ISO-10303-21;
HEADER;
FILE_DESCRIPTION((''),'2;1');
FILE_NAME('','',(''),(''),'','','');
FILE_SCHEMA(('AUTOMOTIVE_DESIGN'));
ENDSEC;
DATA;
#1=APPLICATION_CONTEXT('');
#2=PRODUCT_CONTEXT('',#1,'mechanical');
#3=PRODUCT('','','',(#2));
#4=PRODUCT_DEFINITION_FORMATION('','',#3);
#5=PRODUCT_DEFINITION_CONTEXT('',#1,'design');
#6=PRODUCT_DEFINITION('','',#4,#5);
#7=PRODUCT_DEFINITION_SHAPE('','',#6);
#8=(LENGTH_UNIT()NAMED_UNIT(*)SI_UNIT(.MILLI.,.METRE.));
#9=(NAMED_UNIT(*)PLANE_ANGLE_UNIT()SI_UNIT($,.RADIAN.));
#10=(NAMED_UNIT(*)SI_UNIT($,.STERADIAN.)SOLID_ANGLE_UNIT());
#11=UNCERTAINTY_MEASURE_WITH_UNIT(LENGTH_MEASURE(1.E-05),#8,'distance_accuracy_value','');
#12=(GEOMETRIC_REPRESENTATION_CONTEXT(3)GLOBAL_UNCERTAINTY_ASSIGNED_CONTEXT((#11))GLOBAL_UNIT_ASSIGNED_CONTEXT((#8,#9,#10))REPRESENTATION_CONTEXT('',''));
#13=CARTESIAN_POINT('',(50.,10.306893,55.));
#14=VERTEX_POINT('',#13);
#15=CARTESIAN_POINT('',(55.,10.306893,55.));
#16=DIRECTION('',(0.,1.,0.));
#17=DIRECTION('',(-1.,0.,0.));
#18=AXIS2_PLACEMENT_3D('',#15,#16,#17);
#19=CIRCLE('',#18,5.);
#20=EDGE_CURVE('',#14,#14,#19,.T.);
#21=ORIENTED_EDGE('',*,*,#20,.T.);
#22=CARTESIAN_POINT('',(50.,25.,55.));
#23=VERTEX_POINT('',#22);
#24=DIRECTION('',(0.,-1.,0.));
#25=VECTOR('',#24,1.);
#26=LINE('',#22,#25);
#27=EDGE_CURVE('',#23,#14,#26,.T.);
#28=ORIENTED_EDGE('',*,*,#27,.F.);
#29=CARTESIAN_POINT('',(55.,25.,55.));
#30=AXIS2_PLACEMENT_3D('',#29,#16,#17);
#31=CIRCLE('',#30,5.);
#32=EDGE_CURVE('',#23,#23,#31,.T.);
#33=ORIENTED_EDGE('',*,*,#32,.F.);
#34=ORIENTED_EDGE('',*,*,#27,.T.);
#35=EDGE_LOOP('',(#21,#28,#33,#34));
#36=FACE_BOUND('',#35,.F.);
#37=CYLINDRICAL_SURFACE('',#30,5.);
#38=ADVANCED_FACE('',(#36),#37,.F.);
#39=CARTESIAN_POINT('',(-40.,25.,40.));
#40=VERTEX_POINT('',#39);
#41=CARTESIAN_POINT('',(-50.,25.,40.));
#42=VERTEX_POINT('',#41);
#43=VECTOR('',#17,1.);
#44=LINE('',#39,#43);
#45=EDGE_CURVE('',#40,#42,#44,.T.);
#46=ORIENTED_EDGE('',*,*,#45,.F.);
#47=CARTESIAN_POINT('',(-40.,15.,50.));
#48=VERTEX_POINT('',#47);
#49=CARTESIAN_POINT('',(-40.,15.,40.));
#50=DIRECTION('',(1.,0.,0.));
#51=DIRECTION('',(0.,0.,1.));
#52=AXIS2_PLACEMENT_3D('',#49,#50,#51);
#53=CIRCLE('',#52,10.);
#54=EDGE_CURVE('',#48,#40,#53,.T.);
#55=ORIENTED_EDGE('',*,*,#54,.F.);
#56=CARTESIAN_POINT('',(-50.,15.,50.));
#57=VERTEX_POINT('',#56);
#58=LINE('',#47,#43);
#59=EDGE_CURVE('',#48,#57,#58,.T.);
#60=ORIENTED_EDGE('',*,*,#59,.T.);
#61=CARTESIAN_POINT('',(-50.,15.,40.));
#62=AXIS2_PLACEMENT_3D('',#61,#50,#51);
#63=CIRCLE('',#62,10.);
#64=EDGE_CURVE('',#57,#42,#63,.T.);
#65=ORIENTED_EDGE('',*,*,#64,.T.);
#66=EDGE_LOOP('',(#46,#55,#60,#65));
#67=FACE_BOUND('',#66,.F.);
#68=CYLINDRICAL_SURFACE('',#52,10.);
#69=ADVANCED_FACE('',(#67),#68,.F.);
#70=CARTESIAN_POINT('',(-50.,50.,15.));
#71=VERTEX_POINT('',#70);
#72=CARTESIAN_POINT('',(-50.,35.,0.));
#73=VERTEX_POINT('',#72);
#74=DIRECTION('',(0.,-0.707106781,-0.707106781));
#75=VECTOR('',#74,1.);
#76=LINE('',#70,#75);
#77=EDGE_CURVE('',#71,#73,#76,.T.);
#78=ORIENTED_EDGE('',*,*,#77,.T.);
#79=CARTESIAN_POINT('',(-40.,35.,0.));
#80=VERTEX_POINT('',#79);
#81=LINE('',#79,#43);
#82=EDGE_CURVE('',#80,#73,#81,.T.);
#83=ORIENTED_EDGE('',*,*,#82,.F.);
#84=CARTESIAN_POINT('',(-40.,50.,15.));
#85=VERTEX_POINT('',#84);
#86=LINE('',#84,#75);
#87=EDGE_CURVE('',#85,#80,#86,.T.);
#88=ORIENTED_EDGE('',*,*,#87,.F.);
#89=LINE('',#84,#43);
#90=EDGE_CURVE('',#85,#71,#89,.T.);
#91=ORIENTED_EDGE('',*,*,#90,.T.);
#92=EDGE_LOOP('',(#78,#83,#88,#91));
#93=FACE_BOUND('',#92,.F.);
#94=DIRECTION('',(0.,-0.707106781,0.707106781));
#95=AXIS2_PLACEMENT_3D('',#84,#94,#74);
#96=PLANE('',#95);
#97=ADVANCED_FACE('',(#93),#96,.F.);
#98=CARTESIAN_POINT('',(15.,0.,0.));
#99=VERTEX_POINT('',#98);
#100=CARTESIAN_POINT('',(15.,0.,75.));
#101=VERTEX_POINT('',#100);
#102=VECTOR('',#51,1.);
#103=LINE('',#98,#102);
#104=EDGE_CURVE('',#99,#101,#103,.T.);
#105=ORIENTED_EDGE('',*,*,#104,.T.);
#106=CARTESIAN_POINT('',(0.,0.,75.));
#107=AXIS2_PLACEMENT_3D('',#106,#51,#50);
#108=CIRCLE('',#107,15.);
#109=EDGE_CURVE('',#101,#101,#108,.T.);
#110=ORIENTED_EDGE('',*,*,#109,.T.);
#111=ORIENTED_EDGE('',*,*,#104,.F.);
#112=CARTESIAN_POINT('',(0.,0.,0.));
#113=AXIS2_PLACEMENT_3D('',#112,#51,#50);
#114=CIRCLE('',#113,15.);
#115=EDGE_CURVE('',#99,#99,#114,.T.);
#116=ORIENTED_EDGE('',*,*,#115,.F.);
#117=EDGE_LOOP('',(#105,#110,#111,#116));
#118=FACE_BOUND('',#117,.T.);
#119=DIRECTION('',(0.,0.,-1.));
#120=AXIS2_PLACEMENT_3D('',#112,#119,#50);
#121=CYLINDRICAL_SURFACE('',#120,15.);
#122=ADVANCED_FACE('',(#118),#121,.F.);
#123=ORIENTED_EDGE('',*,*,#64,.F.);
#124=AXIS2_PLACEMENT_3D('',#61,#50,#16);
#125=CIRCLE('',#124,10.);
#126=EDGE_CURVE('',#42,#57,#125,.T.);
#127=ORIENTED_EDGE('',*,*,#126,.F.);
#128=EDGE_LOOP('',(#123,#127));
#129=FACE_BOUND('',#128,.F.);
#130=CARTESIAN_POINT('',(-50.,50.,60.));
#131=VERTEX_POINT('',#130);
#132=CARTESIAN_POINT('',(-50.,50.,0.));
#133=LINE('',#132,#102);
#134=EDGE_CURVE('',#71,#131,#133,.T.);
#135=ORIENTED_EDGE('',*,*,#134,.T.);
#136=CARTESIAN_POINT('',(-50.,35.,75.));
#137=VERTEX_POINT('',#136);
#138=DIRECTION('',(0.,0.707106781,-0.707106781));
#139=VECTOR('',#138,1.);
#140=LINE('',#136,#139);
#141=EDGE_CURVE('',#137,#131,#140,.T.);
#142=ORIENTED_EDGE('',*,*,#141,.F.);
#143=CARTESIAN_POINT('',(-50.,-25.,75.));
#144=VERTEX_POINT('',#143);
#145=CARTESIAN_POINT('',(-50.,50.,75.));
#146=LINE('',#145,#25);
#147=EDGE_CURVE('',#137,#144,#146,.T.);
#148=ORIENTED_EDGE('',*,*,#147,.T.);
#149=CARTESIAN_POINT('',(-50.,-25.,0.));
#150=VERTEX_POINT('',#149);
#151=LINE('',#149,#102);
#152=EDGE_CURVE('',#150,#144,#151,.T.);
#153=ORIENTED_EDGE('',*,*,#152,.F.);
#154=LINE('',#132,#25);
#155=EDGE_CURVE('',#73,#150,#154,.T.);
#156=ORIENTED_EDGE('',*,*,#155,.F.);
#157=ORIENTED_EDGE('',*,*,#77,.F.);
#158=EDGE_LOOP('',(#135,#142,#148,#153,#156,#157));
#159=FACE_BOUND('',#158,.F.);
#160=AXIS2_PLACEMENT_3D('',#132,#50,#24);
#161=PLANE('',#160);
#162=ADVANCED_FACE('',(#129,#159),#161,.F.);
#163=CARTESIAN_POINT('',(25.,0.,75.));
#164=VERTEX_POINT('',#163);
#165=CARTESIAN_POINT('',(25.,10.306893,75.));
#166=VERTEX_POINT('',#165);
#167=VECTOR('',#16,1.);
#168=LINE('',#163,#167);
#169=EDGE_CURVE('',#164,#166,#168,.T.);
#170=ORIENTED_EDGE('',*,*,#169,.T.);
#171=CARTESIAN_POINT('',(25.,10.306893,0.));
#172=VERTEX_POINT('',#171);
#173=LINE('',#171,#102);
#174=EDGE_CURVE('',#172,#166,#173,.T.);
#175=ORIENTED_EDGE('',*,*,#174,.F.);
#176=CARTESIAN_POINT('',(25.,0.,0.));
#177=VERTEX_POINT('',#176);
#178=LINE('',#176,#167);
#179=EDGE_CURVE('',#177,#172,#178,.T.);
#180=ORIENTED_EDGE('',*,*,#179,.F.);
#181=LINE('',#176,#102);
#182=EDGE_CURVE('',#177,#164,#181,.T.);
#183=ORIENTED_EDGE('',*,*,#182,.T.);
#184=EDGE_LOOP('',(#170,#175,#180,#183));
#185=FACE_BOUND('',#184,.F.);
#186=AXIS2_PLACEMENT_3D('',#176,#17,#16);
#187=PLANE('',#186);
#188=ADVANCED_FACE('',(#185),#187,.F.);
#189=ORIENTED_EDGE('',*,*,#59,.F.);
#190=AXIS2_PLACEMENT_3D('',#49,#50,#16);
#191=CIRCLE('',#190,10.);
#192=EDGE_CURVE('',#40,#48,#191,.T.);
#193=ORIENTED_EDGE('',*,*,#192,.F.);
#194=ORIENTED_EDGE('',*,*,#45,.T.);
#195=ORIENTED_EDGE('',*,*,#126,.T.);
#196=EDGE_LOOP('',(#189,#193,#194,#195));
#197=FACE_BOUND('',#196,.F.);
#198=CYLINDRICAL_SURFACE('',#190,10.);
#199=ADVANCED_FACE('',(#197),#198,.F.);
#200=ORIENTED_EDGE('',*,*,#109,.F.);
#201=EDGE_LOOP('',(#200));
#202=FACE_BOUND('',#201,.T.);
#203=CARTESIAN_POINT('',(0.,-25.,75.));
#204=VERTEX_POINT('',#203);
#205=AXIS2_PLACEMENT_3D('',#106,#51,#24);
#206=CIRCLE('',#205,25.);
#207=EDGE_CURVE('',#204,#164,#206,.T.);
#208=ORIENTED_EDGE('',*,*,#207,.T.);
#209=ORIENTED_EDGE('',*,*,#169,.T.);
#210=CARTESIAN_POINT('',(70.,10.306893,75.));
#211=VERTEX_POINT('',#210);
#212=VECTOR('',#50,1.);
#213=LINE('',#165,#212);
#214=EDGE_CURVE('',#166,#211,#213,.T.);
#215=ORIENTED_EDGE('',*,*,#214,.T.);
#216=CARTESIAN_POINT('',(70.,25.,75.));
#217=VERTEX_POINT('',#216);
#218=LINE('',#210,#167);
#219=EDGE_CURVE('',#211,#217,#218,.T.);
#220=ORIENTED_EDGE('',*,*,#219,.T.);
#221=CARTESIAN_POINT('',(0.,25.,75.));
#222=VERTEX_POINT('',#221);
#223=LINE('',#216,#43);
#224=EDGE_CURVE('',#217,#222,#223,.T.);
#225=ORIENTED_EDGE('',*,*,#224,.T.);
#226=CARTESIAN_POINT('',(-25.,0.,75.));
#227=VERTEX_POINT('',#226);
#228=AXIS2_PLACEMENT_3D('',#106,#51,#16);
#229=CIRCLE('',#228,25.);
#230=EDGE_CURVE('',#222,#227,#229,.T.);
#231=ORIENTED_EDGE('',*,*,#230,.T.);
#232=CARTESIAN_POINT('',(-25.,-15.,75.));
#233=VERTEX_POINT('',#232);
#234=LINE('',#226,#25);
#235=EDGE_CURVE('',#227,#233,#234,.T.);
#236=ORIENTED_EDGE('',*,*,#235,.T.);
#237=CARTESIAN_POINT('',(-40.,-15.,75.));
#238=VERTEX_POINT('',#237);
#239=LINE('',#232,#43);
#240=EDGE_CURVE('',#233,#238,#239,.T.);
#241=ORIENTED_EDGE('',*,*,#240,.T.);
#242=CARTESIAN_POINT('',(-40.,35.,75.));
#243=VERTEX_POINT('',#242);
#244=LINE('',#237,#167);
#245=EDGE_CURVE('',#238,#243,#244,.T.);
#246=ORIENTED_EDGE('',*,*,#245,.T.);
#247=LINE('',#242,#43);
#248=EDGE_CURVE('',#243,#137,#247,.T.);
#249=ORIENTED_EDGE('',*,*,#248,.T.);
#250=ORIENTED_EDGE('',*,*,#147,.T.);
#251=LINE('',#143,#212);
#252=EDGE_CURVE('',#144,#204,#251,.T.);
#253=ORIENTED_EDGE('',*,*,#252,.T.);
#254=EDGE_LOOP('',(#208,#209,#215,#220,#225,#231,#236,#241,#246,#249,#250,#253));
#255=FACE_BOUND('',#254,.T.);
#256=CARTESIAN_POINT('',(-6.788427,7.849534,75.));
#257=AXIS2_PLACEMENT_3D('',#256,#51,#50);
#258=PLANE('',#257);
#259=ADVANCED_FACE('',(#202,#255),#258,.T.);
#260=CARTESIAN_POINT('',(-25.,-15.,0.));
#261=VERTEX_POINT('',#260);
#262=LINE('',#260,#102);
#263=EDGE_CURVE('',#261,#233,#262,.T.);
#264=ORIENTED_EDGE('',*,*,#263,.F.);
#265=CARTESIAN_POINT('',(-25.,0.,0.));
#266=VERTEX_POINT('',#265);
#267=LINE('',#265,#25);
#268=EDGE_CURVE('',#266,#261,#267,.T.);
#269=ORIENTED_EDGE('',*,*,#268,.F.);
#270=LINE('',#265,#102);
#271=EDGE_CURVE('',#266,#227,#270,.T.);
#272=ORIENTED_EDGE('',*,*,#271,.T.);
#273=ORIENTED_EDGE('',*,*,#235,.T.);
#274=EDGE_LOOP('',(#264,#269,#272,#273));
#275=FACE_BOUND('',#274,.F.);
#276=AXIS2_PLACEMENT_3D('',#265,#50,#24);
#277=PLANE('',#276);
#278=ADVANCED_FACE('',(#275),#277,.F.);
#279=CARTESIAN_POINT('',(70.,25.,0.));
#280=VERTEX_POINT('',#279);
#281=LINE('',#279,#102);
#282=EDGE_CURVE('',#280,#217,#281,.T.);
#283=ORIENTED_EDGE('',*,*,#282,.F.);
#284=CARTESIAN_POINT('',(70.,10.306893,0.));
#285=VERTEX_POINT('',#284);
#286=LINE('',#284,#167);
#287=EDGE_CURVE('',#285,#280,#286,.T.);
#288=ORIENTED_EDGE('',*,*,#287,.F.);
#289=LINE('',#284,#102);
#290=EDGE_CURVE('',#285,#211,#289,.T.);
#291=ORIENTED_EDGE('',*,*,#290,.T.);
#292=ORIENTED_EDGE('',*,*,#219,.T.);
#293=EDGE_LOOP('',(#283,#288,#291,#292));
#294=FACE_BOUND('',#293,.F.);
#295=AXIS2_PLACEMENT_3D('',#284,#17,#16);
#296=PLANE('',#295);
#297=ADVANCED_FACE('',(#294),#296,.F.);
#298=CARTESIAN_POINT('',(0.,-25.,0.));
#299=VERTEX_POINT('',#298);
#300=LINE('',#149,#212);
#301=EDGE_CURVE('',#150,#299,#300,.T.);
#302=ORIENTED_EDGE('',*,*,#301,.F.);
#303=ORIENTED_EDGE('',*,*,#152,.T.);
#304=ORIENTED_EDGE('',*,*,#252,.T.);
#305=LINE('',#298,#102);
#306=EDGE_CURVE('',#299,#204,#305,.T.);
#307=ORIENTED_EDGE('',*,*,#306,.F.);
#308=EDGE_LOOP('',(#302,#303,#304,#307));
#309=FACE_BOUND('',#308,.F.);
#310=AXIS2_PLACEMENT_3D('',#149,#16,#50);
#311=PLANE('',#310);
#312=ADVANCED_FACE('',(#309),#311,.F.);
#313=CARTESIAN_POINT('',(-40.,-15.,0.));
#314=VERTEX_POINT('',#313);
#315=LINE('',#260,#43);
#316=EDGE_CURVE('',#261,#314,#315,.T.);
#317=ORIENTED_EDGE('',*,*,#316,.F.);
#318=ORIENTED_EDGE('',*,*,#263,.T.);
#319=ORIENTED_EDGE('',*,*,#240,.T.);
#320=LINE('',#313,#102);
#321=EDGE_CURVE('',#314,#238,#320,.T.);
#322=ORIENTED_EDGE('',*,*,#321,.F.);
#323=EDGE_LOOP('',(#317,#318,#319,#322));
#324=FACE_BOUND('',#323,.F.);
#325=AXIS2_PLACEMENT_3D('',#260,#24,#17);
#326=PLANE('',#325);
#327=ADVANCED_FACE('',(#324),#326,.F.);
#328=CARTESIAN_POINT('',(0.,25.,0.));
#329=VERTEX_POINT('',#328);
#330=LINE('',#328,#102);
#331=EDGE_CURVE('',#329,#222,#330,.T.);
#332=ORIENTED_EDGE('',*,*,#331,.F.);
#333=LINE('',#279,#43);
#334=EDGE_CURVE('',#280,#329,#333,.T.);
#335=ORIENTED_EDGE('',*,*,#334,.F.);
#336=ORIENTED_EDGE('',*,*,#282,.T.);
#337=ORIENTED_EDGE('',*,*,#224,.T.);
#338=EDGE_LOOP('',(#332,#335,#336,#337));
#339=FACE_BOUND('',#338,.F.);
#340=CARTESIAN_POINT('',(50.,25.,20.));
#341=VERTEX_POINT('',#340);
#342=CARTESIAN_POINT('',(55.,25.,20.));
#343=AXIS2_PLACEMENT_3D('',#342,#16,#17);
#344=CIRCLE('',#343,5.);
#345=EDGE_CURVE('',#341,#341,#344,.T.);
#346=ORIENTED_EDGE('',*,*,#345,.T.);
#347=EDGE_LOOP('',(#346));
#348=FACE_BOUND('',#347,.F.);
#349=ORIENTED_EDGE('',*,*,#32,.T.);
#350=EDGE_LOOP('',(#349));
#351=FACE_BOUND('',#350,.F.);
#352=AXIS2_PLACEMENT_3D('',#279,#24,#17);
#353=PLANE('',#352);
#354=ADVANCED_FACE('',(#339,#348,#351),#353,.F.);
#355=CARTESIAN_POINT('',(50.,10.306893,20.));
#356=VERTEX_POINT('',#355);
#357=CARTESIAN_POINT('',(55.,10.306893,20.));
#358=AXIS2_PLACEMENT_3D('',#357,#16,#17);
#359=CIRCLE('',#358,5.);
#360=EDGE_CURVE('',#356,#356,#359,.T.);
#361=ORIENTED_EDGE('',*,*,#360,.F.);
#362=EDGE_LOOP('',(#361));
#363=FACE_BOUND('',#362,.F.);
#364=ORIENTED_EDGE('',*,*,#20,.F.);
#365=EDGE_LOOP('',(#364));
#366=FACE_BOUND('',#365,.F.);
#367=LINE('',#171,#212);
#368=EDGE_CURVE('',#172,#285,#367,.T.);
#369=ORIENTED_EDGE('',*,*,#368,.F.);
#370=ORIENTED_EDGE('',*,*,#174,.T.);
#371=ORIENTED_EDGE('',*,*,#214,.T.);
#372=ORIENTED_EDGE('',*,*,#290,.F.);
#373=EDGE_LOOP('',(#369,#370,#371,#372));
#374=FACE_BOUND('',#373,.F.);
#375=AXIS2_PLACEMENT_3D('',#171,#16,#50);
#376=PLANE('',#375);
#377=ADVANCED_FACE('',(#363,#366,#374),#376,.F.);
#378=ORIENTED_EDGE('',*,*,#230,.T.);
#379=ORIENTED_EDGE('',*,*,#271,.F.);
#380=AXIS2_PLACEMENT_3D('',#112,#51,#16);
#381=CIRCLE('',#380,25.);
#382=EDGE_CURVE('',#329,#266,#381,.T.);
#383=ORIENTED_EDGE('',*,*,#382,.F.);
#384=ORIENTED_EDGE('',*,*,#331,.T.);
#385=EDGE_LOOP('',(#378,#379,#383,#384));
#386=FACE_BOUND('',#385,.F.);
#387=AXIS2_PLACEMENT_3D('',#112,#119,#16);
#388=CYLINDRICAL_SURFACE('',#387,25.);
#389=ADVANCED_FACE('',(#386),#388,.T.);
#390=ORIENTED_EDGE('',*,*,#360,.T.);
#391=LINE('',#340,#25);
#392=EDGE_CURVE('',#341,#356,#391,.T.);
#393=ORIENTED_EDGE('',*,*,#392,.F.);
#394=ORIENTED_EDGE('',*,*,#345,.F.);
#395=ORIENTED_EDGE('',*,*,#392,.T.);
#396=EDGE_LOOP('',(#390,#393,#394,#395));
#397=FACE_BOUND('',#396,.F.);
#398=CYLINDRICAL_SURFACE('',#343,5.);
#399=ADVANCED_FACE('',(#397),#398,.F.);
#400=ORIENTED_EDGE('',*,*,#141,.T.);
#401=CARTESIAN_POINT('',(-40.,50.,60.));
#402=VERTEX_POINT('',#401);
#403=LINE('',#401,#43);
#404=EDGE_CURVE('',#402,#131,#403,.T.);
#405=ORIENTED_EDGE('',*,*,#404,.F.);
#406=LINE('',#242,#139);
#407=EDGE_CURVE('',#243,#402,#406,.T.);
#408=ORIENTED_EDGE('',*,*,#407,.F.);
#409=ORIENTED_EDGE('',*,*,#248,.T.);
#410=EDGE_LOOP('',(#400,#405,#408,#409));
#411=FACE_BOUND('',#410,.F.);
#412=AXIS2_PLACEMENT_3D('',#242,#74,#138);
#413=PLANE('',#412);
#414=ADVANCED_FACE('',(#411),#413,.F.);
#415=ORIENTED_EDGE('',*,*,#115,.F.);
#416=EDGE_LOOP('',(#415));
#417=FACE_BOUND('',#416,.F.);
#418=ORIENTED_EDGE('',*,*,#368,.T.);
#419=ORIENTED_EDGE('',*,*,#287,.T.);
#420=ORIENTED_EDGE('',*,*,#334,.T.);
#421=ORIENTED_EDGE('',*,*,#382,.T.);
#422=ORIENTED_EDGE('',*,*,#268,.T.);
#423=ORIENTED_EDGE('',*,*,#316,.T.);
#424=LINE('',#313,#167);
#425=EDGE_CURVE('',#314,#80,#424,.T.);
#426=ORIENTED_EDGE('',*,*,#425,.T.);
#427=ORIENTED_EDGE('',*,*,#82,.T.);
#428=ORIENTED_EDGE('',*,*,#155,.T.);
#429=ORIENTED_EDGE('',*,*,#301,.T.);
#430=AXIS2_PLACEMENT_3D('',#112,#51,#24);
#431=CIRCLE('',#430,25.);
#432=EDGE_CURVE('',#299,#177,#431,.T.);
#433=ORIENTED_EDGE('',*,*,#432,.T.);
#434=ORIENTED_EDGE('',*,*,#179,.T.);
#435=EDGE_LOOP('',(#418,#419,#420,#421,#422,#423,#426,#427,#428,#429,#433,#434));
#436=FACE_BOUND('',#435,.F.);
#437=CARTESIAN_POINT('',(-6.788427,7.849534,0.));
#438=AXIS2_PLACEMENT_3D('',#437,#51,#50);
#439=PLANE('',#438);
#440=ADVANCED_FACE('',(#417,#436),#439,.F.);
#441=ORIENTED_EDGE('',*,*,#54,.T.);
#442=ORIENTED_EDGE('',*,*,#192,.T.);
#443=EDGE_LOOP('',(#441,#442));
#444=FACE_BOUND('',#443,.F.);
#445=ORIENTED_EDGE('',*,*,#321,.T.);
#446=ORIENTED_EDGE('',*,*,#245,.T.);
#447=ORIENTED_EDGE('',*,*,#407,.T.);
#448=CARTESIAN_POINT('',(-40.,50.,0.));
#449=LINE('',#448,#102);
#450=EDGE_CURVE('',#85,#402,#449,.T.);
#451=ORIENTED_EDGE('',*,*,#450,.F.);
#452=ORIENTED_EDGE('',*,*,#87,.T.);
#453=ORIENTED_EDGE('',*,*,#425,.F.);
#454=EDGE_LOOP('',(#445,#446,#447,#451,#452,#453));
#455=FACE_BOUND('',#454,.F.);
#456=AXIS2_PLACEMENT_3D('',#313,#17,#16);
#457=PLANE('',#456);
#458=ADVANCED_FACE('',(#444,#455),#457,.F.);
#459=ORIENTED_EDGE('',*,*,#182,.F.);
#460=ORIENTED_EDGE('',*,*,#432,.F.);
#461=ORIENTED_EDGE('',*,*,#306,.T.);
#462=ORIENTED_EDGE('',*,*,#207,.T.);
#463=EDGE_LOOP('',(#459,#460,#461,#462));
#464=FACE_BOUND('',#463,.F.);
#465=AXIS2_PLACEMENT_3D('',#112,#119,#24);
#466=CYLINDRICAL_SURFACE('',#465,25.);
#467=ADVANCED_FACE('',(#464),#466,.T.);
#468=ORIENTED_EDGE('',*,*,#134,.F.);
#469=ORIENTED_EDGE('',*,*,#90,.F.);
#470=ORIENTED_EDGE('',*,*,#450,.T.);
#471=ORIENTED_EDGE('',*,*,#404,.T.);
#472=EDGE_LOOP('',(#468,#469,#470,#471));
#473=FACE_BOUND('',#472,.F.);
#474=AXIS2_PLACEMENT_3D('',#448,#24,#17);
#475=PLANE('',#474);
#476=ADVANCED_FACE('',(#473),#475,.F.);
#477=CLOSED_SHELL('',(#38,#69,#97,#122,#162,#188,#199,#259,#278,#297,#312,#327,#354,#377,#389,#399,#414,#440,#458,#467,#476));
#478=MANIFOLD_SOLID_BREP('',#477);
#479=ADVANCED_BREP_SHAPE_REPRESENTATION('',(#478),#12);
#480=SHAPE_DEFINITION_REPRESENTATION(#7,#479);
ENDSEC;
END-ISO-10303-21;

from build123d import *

# Parameters (mm, degrees)
F0_R     = 15
F1_DEPTH = 75
F2_R     = 5
F3_DEPTH = 15
F5_DEPTH = 10
F7_DEPTH = 10


with BuildPart() as f1:
    # F0 (on Top) → F1 (new body)
    with BuildSketch(Plane.XY):
        with BuildLine():
            Line((-50, -25), (0, -25))
            ThreePointArc((0, -25), (17.6776695297, -17.6776695297), (25, 0))
            Line((25, 0), (25, 10.3068929166))
            Line((25, 10.3068929166), (70, 10.3068929166))
            Line((70, 10.3068929166), (70, 25))
            Line((70, 25), (0, 25))
            ThreePointArc((0, 25), (-17.6776695297, 17.6776695297), (-25, 0))
            Line((-25, 0), (-25, -15))
            Line((-25, -15), (-40, -15))
            Line((-40, -15), (-40, 50))
            Line((-40, 50), (-50, 50))
            Line((-50, 50), (-50, -25))
        make_face()
        Circle(F0_R, mode=Mode.SUBTRACT)
    extrude(amount=F1_DEPTH)

    # F2 (on face) → F3 (cut)
    with BuildSketch(Plane(origin=(0, 25, 0), x_dir=(-1, 0, 0), z_dir=(0, 1, 0))):
        with Locations((-55, 20)):
            Circle(F2_R)
        with Locations((-55, 55)):
            Circle(F2_R)
    extrude(amount=-F3_DEPTH, mode=Mode.SUBTRACT)

    # F4 (on face) → F5 (cut)
    with BuildSketch(Plane.YZ.offset(-40)):
        with BuildLine():
            ThreePointArc((25, 40), (22.0710678119, 47.0710678119), (15, 50))
            ThreePointArc((15, 50), (7.9289321881, 32.9289321881), (25, 40))
        make_face()
    extrude(amount=-F5_DEPTH, mode=Mode.SUBTRACT)

    # F6 (on face) → F7 (cut)
    with BuildSketch(Plane.YZ.offset(-40)):
        Polygon((35, 75), (50, 60), (50, 75), align=None)
        Polygon((50, 0), (50, 15), (35, 0), align=None)
    extrude(amount=-F7_DEPTH, mode=Mode.SUBTRACT)


solid = f1.part
